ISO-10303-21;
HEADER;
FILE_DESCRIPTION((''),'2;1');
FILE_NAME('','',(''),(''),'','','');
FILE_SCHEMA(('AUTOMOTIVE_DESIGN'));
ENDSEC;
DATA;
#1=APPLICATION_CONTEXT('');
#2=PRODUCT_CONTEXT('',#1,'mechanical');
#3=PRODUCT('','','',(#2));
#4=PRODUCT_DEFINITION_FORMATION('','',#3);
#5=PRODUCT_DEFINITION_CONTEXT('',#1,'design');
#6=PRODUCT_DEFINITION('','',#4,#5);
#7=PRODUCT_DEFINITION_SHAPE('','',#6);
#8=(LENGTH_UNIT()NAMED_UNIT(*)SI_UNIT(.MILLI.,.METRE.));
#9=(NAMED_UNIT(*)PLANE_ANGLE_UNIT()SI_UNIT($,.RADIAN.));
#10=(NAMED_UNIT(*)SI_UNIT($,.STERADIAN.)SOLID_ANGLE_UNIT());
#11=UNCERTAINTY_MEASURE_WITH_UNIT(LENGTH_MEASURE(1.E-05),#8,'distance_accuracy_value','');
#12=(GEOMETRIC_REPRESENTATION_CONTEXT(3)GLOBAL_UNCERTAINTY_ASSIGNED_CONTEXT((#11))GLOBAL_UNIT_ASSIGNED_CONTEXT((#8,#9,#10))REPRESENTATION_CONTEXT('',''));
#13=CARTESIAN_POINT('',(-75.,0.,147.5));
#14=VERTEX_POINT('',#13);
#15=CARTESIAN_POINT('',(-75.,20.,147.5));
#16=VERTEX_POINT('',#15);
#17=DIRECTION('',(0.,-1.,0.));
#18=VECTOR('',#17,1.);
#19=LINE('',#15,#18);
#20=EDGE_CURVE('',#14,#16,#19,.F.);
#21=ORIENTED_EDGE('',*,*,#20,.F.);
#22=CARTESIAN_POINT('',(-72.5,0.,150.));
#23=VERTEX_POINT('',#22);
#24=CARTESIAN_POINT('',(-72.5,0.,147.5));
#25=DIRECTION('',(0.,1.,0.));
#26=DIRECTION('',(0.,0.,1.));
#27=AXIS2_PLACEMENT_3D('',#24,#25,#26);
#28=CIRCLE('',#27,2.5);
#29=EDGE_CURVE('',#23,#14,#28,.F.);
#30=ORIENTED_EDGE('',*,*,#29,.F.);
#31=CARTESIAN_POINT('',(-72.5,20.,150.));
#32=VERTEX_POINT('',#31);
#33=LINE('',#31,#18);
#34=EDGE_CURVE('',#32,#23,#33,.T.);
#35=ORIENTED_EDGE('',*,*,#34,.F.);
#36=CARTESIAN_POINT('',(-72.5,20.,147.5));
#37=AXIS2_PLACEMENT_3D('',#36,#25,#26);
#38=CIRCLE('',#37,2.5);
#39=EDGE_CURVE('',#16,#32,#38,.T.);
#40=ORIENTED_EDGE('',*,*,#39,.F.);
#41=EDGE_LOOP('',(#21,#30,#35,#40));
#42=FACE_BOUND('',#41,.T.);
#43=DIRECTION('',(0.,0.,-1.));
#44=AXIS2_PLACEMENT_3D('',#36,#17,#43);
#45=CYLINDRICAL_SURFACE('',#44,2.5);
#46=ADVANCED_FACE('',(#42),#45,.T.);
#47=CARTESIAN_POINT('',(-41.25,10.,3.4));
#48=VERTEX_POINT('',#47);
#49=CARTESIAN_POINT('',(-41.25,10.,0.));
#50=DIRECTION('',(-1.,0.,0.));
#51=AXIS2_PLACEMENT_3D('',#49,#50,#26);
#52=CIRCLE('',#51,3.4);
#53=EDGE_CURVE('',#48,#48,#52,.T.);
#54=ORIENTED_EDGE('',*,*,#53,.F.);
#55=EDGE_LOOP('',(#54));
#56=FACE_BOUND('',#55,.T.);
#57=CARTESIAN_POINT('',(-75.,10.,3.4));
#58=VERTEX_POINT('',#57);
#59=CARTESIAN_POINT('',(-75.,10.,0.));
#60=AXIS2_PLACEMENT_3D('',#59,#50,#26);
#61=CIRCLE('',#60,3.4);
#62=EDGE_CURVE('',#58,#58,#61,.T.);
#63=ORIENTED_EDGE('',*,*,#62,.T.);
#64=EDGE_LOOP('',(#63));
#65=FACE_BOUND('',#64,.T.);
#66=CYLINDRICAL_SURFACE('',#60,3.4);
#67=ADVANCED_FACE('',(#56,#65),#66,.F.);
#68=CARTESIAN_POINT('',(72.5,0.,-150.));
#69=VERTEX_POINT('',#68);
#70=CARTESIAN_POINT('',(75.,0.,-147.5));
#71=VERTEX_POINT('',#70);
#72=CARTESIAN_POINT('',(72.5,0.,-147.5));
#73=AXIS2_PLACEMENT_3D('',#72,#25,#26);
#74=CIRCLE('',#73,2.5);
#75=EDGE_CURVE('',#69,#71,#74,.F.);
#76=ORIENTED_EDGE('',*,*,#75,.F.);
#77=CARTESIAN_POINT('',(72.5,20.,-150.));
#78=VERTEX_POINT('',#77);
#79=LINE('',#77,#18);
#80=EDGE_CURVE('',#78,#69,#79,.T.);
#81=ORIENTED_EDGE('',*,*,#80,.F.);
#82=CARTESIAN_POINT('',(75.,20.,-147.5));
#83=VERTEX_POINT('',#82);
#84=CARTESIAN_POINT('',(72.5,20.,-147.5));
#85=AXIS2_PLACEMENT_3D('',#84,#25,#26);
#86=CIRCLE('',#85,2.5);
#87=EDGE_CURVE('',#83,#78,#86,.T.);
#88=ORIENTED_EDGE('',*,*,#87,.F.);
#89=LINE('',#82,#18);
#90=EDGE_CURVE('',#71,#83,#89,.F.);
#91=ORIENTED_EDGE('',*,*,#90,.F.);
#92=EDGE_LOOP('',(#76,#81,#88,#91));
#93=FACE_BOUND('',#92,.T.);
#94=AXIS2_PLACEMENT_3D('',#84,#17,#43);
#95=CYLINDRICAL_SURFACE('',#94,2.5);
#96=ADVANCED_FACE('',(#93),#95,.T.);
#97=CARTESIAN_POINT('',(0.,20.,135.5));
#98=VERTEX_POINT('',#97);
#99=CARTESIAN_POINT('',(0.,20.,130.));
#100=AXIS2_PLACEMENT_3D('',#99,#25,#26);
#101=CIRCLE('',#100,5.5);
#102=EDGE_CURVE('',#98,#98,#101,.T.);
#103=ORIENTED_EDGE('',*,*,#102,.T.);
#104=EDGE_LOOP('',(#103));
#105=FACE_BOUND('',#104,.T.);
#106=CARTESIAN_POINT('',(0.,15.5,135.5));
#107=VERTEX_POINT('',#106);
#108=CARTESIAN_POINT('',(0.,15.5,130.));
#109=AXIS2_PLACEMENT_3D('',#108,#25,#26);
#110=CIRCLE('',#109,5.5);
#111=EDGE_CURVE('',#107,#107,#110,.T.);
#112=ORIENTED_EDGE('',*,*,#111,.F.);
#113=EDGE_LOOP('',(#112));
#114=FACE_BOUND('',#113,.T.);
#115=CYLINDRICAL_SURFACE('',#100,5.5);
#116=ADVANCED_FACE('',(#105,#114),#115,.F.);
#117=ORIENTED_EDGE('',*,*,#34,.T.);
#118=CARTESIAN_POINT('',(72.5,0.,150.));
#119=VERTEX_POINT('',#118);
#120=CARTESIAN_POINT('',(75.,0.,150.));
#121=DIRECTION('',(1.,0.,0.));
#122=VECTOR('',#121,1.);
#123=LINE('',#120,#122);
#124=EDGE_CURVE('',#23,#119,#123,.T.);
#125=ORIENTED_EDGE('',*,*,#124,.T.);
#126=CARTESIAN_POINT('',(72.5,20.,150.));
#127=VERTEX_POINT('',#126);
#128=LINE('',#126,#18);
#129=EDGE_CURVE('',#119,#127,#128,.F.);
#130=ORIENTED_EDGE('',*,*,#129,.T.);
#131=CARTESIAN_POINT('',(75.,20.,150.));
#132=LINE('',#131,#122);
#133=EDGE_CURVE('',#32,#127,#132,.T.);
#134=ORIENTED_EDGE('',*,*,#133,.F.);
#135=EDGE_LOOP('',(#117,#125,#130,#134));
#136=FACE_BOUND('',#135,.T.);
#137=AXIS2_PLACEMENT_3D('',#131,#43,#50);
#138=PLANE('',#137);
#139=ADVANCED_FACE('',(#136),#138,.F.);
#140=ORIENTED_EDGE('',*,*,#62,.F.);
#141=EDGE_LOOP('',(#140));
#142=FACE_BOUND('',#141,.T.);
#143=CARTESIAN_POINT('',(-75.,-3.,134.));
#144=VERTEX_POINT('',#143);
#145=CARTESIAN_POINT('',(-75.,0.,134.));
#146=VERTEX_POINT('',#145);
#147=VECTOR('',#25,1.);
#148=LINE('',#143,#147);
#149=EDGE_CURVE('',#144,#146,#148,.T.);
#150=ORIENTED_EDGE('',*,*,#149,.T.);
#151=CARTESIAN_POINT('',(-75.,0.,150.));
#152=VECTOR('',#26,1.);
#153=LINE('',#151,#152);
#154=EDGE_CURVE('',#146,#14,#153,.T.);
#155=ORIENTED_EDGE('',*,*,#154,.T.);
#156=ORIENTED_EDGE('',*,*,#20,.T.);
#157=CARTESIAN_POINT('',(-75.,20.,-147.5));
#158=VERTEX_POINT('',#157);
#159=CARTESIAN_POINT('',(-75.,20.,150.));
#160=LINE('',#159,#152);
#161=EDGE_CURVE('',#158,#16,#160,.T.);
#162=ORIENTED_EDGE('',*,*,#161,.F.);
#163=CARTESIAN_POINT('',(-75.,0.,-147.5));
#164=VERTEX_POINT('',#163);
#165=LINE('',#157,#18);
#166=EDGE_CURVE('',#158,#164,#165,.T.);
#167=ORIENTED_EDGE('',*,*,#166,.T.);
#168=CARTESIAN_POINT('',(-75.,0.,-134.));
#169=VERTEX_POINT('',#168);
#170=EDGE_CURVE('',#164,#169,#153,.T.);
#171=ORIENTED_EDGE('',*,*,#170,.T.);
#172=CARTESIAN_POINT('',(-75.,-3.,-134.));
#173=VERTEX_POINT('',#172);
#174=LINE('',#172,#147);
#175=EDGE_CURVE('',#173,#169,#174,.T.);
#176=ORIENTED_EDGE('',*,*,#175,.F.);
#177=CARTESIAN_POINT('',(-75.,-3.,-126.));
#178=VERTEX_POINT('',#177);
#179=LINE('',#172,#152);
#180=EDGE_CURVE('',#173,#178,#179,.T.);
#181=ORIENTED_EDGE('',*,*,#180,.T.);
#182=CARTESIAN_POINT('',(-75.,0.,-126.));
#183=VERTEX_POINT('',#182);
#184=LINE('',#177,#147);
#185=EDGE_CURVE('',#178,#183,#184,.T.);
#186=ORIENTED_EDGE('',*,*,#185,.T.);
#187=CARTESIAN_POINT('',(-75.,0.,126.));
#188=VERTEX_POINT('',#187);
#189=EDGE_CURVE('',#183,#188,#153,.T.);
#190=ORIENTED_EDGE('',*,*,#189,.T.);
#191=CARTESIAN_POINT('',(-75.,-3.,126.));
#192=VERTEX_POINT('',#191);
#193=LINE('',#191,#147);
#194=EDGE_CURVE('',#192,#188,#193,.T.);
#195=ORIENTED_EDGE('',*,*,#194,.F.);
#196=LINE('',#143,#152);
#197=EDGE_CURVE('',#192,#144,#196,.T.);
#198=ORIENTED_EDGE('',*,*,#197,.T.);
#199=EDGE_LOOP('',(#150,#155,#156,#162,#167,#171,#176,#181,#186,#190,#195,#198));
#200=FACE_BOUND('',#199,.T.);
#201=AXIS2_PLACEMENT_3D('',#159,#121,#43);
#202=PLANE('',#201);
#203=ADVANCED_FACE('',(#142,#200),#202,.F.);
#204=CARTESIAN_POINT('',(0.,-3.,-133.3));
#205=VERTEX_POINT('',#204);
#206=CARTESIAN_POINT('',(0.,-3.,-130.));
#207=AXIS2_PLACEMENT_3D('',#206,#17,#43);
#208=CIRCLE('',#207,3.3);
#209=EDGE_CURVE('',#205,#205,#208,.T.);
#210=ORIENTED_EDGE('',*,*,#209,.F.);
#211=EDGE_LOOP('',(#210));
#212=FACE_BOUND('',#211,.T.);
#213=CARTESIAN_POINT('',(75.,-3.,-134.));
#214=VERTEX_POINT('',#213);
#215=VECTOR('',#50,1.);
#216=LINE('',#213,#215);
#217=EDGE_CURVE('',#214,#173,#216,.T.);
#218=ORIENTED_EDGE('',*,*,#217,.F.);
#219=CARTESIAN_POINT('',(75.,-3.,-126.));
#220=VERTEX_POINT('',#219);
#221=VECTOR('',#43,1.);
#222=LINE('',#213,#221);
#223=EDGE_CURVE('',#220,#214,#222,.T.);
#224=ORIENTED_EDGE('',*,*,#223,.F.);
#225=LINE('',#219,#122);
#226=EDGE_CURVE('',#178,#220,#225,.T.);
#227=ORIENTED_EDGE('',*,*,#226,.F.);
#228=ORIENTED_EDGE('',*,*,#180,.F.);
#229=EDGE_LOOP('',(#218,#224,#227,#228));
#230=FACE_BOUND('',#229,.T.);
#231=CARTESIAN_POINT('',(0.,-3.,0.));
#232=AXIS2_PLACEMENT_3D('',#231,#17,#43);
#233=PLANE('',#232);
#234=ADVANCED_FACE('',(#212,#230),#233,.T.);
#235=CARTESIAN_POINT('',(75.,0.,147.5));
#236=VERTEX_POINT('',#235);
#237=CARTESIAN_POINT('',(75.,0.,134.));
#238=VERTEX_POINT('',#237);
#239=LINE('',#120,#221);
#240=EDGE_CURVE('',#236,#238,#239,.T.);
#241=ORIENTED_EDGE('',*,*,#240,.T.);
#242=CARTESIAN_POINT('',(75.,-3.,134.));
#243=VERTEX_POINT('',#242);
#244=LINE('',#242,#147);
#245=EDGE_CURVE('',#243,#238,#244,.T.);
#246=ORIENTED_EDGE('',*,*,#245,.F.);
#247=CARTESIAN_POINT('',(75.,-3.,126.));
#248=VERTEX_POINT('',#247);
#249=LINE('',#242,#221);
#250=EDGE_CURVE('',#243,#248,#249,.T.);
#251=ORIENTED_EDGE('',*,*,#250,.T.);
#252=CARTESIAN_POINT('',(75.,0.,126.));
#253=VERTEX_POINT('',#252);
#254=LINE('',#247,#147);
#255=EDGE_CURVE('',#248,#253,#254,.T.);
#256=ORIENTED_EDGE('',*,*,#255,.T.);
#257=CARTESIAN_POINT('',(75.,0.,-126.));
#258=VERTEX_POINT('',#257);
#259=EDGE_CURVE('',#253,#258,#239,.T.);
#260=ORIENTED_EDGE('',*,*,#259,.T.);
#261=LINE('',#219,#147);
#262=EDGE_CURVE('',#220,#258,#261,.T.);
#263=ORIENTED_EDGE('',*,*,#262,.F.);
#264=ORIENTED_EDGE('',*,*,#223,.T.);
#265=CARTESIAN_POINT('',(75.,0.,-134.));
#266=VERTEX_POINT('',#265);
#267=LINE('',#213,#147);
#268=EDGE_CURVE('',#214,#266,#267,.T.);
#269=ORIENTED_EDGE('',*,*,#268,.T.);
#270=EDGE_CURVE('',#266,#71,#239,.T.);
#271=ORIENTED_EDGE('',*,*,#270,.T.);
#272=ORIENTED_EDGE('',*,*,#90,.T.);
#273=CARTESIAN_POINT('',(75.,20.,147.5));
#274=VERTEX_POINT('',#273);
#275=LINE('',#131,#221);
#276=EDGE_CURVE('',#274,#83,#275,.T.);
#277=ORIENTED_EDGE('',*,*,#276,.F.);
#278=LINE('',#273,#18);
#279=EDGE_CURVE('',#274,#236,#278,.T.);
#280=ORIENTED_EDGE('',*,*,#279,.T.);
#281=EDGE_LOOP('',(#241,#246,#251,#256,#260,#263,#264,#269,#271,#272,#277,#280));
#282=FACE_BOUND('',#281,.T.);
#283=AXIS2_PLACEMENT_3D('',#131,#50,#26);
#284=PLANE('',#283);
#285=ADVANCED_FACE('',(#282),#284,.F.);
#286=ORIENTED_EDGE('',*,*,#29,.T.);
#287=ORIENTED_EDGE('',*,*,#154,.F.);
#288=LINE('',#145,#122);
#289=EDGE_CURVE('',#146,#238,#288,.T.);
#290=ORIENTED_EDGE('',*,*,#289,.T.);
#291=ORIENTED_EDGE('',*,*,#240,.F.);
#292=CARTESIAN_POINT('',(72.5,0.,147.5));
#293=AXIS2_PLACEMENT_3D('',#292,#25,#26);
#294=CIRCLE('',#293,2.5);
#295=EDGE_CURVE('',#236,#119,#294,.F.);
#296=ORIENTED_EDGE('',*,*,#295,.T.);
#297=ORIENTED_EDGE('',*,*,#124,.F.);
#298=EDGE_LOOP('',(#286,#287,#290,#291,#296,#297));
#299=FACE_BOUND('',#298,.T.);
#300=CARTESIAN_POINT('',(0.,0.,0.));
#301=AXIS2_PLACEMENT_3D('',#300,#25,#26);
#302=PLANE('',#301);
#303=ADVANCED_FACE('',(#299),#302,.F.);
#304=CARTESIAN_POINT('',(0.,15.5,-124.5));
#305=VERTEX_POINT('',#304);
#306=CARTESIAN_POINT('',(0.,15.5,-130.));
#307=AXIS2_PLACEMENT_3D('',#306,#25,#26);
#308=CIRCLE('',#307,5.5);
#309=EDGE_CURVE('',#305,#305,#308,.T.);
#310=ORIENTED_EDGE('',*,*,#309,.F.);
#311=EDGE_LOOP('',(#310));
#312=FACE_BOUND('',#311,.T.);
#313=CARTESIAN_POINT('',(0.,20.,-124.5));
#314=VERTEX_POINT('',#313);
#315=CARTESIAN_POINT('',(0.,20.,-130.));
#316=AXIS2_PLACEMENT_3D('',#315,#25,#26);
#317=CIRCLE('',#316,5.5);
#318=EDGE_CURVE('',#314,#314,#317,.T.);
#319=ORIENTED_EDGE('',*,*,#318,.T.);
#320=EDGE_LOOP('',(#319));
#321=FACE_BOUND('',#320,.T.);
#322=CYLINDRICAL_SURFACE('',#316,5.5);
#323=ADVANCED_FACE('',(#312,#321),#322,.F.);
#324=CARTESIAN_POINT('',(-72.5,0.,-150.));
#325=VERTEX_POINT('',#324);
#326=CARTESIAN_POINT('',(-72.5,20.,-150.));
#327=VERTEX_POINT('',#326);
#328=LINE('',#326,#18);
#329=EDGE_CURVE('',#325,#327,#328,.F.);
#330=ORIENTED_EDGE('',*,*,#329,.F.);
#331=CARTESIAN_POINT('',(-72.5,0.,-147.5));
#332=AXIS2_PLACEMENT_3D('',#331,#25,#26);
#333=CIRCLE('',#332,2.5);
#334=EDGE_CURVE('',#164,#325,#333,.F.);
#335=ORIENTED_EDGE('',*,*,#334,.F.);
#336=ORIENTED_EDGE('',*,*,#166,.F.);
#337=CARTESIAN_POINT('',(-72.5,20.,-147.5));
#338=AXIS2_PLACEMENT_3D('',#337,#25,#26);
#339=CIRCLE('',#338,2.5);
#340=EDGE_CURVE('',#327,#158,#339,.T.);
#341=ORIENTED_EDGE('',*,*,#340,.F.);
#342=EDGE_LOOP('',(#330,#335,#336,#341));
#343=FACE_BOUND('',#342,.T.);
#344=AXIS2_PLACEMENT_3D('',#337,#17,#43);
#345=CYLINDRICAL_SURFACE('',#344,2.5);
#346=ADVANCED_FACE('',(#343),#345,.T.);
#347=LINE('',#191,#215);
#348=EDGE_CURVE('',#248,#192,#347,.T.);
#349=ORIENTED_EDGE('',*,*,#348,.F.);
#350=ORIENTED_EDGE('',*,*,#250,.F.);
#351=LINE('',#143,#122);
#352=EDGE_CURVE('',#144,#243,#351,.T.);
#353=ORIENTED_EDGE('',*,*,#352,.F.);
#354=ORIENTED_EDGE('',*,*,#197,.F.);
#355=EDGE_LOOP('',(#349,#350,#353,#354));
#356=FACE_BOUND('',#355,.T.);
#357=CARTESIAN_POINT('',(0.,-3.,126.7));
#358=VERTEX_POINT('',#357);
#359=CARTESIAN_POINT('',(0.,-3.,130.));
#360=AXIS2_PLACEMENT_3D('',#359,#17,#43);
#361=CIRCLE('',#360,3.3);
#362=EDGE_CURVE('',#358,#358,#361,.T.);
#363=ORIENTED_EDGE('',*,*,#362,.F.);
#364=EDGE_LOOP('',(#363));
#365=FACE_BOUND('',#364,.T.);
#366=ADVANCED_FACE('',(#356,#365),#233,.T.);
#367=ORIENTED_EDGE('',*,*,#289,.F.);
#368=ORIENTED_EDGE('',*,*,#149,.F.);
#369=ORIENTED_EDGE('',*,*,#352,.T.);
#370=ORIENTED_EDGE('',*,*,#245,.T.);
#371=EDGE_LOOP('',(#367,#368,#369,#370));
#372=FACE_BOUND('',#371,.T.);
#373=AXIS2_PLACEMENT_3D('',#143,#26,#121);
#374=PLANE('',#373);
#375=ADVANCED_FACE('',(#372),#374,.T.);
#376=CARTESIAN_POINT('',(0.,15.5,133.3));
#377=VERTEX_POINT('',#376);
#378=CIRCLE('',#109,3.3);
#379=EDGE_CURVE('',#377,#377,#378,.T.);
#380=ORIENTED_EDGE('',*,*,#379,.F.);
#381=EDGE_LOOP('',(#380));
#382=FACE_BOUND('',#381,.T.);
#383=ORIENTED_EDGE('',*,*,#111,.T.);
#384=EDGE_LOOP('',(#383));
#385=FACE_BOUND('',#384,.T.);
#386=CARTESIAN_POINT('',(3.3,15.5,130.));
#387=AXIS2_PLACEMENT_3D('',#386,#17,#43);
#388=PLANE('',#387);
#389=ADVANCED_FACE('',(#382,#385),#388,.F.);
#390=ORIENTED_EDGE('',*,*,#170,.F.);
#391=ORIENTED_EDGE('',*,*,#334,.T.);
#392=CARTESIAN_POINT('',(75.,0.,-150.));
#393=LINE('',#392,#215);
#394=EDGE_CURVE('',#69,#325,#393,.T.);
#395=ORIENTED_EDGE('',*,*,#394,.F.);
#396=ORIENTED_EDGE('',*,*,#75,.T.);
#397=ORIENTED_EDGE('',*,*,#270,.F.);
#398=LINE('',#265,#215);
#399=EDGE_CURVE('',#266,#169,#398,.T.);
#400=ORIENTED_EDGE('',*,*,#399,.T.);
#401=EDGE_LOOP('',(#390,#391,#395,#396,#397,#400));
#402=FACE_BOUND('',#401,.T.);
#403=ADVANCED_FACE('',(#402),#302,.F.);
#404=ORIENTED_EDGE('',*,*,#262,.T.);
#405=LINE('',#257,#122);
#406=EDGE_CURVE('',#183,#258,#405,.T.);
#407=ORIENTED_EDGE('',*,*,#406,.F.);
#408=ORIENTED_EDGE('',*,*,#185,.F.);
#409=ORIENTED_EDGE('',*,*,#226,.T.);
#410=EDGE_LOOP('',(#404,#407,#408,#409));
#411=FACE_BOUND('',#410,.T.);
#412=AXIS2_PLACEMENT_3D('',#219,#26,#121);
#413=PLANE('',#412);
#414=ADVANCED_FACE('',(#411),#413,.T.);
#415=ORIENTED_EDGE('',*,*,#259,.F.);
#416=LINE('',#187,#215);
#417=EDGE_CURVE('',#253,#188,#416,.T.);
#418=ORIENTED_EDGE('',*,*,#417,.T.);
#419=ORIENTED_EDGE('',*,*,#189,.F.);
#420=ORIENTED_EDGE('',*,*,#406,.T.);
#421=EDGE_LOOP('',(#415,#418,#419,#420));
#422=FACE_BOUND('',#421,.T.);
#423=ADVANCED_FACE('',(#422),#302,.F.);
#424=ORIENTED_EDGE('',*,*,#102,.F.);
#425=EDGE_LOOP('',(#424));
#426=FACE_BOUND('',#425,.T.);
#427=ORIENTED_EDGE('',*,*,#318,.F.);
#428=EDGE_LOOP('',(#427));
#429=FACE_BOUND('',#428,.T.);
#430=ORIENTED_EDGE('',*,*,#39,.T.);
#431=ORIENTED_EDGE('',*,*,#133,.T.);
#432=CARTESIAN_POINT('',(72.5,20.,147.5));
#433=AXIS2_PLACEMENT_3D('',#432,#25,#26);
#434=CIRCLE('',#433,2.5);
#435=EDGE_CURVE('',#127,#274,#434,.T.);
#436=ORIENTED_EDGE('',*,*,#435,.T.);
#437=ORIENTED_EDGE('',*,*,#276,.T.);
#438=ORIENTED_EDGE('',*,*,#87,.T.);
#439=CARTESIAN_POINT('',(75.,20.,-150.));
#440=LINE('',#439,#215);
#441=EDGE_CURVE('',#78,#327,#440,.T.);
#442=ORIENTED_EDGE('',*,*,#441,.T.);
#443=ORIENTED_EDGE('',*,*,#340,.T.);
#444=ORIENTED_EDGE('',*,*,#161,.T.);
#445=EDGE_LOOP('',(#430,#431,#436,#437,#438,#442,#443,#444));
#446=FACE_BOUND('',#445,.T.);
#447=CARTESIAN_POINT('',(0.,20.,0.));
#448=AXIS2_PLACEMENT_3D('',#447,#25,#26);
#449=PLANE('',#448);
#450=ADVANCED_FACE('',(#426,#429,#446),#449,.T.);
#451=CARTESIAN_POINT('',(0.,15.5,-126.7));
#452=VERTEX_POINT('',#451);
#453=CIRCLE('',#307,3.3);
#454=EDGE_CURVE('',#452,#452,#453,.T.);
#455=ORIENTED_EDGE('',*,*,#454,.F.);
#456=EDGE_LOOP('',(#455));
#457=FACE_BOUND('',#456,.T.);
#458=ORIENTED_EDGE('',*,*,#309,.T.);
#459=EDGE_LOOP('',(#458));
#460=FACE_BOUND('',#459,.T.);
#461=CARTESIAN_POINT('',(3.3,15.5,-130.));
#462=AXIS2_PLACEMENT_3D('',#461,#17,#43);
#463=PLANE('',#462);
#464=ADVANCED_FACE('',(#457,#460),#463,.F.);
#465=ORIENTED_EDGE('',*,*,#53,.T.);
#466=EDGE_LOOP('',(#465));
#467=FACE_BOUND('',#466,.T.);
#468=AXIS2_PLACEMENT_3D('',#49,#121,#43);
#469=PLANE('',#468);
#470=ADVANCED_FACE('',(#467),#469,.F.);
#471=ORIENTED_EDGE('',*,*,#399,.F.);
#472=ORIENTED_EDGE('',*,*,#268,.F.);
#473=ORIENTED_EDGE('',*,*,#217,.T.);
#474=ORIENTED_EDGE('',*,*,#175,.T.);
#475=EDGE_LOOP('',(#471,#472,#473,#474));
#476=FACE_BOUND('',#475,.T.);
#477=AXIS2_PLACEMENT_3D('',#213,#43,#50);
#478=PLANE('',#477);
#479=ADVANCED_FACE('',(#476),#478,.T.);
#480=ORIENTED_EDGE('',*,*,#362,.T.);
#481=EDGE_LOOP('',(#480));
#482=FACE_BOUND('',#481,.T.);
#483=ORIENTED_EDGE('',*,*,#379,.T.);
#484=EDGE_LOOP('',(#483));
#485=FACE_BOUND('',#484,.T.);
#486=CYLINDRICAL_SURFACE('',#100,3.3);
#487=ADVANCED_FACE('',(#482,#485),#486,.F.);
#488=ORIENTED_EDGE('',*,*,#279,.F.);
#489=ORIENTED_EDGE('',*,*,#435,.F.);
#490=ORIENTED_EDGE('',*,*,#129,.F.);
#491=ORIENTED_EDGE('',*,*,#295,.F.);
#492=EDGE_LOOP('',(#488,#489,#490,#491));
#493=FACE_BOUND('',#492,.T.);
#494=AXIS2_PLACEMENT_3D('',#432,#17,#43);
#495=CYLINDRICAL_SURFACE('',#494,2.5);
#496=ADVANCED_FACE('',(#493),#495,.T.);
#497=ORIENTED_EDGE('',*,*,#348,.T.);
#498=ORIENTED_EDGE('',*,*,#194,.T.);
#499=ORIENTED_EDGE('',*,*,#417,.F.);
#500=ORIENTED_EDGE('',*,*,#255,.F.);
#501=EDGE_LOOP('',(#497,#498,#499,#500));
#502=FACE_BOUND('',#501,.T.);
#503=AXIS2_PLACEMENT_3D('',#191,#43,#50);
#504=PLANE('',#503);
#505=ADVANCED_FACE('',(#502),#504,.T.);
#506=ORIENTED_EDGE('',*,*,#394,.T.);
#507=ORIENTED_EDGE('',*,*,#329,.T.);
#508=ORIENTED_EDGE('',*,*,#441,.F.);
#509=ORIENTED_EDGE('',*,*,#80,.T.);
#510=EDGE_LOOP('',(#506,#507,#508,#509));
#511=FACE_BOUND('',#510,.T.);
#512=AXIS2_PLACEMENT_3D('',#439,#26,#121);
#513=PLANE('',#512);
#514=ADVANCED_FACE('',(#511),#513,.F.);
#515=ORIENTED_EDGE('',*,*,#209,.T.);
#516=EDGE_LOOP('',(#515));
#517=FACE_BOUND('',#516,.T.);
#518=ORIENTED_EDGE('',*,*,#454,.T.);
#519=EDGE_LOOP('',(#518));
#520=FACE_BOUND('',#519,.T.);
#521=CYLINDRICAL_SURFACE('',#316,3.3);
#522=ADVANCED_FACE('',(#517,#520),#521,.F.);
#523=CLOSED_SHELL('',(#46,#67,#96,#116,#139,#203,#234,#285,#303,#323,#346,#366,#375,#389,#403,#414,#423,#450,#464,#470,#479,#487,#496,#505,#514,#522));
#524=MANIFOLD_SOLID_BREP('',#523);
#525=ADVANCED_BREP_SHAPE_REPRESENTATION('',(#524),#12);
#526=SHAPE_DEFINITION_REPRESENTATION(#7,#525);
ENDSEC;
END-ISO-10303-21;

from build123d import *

# Parameters (mm, degrees)
SKETCH1_W                                            = 150
SKETCH1_H                                            = 300
BOSS_EXTRUDE1_DEPTH                                  = 20
SKETCH2_W                                            = 150
SKETCH2_H                                            = 8
BOSS_EXTRUDE2_DEPTH                                  = 3
CBORE_FOR_M6_HEX_SOCKET_THIN_HEAD_CAP_SC_D           = 6.6
CBORE_FOR_M6_HEX_SOCKET_THIN_HEAD_CAP_SC_DEPTH       = 24.5
CBORE_FOR_M6_HEX_SOCKET_THIN_HEAD_CAP_SC_CBORE_D     = 11
CBORE_FOR_M6_HEX_SOCKET_THIN_HEAD_CAP_SC_CBORE_DEPTH = 4.5
M8_TAPPED_HOLE1_D                                    = 6.8
M8_TAPPED_HOLE1_DEPTH                                = 33.75
FILLET1_R                                            = 2.5


with BuildPart() as part:
    # Sketch1 → Boss-Extrude1 (new body)
    with BuildSketch(Plane(origin=(0, 0, 0), x_dir=(1, 0, 0), z_dir=(0, 1, 0))):
        Rectangle(SKETCH1_W, SKETCH1_H)
    extrude(amount=BOSS_EXTRUDE1_DEPTH)

    # Sketch2 → Boss-Extrude2 (add)
    with BuildSketch(Plane(origin=(0, 0, 0), x_dir=(1, 0, 0), z_dir=(0, 1, 0))):
        with Locations((0, -130)):
            Rectangle(SKETCH2_W, SKETCH2_H)
        with Locations((0, 130)):
            Rectangle(SKETCH2_W, SKETCH2_H)
    extrude(amount=-BOSS_EXTRUDE2_DEPTH)

    # CBORE for M6 Hex Socket Thin Head Cap Screw1
    with Locations(Plane(origin=(0, 20, 0), x_dir=(1, 0, 0), z_dir=(0, 1, 0))):
        with Locations((0, -130), (0, 130)):
            CounterBoreHole(CBORE_FOR_M6_HEX_SOCKET_THIN_HEAD_CAP_SC_D / 2, CBORE_FOR_M6_HEX_SOCKET_THIN_HEAD_CAP_SC_CBORE_D / 2, CBORE_FOR_M6_HEX_SOCKET_THIN_HEAD_CAP_SC_CBORE_DEPTH, depth=CBORE_FOR_M6_HEX_SOCKET_THIN_HEAD_CAP_SC_DEPTH)

    # M8 Tapped Hole1
    with Locations(Plane.ZY.offset(75)):
        with Locations((0, 10)):
            Hole(M8_TAPPED_HOLE1_D / 2, depth=M8_TAPPED_HOLE1_DEPTH)

    # Fillet1
    fillet1_edges = [part.edges().sort_by_distance(p)[0] for p in [
        (-75, 10, -150),
        (75, 10, -150),
        (75, 10, 150),
        (-75, 10, 150),
    ]]
    fillet(fillet1_edges, radius=FILLET1_R)


solid = part.part
